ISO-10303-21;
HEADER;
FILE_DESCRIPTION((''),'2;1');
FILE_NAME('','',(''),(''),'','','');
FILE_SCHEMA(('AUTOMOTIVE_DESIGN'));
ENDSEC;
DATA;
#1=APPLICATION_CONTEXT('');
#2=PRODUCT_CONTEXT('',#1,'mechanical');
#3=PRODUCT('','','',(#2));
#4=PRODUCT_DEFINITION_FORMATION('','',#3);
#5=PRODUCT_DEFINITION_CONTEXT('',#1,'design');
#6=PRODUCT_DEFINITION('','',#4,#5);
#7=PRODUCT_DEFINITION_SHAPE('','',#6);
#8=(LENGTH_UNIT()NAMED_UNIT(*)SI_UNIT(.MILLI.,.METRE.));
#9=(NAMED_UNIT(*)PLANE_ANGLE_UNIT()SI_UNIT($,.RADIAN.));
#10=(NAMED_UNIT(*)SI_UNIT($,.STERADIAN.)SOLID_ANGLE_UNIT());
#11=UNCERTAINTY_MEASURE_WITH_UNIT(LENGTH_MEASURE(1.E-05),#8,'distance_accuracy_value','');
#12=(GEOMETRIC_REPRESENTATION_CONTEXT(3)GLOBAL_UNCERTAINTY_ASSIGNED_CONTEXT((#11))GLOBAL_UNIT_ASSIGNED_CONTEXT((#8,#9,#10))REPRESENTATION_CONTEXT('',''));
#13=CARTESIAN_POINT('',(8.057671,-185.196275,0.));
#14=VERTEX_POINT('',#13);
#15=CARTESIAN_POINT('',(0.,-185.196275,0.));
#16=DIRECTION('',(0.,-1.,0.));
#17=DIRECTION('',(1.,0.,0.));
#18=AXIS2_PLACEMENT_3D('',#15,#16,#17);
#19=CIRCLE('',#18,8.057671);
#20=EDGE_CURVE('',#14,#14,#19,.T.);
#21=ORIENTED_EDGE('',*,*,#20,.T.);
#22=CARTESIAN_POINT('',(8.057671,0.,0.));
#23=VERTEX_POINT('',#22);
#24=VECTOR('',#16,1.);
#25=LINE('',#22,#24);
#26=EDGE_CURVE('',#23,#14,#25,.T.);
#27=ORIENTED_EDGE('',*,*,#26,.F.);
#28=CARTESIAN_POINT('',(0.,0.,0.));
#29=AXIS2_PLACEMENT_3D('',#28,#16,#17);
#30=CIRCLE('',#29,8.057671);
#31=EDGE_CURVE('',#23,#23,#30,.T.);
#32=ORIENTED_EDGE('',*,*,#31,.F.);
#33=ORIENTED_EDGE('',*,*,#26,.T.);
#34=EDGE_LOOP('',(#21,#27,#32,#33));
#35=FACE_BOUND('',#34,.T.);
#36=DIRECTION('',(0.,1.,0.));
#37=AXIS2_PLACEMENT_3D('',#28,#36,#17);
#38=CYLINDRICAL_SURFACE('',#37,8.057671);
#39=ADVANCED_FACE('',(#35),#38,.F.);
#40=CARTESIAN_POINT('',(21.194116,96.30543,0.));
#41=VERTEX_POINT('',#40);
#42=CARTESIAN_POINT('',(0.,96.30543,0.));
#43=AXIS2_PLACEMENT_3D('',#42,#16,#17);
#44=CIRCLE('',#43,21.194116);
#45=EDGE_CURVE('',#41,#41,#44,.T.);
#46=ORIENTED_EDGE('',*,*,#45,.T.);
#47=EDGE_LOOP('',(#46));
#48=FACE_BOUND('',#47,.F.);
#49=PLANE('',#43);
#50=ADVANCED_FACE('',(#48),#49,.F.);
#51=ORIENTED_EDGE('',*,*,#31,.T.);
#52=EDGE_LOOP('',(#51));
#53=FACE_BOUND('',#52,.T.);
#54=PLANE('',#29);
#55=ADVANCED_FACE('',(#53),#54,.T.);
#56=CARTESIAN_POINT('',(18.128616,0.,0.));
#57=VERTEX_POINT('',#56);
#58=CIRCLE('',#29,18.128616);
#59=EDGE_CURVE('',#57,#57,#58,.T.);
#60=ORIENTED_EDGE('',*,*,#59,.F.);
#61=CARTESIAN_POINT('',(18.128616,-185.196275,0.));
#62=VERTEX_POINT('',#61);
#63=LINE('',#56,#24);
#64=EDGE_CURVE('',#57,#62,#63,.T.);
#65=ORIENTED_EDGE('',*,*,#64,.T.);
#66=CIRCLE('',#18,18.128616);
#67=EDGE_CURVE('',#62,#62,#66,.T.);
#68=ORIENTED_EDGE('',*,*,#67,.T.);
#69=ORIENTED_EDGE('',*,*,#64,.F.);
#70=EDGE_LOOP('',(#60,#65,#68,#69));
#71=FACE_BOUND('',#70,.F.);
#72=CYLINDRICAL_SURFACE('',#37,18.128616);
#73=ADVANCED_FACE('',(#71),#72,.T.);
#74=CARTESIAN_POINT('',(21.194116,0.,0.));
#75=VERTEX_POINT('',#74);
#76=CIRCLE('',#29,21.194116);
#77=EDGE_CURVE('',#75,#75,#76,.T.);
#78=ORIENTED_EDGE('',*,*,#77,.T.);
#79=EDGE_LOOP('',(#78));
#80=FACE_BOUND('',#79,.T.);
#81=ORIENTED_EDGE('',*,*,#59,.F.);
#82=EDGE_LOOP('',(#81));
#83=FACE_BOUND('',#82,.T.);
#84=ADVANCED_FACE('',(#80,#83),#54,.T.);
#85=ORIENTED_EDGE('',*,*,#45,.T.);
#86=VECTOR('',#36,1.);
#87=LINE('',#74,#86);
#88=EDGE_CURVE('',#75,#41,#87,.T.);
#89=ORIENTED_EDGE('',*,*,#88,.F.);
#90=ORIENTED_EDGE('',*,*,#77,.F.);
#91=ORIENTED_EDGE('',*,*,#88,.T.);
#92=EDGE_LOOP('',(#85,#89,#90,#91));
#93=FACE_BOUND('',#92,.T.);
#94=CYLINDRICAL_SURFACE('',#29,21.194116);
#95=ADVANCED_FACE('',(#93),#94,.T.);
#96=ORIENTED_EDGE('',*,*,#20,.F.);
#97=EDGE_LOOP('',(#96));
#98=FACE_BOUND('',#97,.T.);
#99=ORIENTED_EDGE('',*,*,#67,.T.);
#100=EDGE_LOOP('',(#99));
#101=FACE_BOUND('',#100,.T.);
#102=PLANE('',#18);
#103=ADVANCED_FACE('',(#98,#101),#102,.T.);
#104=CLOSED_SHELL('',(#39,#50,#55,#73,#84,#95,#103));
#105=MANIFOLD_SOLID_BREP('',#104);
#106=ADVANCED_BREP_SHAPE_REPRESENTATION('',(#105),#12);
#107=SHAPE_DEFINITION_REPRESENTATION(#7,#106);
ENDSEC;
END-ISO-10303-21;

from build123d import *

# Parameters (mm, degrees)
F0_R     = 18.128616
F0_R_2   = 8.057671
F1_DEPTH = 185.196275
F2_R     = 21.194116
F3_DEPTH = 96.30543


with BuildPart() as f1:
    # F0 (on Front) → F1 (new body)
    with BuildSketch(Plane.XZ):
        Circle(F0_R)
        Circle(F0_R_2, mode=Mode.SUBTRACT)
    extrude(amount=F1_DEPTH)

    # F2 (on Front) → F3 (join)
    with BuildSketch(Plane.XZ):
        Circle(F2_R)
    extrude(amount=-F3_DEPTH)


solid = f1.part
